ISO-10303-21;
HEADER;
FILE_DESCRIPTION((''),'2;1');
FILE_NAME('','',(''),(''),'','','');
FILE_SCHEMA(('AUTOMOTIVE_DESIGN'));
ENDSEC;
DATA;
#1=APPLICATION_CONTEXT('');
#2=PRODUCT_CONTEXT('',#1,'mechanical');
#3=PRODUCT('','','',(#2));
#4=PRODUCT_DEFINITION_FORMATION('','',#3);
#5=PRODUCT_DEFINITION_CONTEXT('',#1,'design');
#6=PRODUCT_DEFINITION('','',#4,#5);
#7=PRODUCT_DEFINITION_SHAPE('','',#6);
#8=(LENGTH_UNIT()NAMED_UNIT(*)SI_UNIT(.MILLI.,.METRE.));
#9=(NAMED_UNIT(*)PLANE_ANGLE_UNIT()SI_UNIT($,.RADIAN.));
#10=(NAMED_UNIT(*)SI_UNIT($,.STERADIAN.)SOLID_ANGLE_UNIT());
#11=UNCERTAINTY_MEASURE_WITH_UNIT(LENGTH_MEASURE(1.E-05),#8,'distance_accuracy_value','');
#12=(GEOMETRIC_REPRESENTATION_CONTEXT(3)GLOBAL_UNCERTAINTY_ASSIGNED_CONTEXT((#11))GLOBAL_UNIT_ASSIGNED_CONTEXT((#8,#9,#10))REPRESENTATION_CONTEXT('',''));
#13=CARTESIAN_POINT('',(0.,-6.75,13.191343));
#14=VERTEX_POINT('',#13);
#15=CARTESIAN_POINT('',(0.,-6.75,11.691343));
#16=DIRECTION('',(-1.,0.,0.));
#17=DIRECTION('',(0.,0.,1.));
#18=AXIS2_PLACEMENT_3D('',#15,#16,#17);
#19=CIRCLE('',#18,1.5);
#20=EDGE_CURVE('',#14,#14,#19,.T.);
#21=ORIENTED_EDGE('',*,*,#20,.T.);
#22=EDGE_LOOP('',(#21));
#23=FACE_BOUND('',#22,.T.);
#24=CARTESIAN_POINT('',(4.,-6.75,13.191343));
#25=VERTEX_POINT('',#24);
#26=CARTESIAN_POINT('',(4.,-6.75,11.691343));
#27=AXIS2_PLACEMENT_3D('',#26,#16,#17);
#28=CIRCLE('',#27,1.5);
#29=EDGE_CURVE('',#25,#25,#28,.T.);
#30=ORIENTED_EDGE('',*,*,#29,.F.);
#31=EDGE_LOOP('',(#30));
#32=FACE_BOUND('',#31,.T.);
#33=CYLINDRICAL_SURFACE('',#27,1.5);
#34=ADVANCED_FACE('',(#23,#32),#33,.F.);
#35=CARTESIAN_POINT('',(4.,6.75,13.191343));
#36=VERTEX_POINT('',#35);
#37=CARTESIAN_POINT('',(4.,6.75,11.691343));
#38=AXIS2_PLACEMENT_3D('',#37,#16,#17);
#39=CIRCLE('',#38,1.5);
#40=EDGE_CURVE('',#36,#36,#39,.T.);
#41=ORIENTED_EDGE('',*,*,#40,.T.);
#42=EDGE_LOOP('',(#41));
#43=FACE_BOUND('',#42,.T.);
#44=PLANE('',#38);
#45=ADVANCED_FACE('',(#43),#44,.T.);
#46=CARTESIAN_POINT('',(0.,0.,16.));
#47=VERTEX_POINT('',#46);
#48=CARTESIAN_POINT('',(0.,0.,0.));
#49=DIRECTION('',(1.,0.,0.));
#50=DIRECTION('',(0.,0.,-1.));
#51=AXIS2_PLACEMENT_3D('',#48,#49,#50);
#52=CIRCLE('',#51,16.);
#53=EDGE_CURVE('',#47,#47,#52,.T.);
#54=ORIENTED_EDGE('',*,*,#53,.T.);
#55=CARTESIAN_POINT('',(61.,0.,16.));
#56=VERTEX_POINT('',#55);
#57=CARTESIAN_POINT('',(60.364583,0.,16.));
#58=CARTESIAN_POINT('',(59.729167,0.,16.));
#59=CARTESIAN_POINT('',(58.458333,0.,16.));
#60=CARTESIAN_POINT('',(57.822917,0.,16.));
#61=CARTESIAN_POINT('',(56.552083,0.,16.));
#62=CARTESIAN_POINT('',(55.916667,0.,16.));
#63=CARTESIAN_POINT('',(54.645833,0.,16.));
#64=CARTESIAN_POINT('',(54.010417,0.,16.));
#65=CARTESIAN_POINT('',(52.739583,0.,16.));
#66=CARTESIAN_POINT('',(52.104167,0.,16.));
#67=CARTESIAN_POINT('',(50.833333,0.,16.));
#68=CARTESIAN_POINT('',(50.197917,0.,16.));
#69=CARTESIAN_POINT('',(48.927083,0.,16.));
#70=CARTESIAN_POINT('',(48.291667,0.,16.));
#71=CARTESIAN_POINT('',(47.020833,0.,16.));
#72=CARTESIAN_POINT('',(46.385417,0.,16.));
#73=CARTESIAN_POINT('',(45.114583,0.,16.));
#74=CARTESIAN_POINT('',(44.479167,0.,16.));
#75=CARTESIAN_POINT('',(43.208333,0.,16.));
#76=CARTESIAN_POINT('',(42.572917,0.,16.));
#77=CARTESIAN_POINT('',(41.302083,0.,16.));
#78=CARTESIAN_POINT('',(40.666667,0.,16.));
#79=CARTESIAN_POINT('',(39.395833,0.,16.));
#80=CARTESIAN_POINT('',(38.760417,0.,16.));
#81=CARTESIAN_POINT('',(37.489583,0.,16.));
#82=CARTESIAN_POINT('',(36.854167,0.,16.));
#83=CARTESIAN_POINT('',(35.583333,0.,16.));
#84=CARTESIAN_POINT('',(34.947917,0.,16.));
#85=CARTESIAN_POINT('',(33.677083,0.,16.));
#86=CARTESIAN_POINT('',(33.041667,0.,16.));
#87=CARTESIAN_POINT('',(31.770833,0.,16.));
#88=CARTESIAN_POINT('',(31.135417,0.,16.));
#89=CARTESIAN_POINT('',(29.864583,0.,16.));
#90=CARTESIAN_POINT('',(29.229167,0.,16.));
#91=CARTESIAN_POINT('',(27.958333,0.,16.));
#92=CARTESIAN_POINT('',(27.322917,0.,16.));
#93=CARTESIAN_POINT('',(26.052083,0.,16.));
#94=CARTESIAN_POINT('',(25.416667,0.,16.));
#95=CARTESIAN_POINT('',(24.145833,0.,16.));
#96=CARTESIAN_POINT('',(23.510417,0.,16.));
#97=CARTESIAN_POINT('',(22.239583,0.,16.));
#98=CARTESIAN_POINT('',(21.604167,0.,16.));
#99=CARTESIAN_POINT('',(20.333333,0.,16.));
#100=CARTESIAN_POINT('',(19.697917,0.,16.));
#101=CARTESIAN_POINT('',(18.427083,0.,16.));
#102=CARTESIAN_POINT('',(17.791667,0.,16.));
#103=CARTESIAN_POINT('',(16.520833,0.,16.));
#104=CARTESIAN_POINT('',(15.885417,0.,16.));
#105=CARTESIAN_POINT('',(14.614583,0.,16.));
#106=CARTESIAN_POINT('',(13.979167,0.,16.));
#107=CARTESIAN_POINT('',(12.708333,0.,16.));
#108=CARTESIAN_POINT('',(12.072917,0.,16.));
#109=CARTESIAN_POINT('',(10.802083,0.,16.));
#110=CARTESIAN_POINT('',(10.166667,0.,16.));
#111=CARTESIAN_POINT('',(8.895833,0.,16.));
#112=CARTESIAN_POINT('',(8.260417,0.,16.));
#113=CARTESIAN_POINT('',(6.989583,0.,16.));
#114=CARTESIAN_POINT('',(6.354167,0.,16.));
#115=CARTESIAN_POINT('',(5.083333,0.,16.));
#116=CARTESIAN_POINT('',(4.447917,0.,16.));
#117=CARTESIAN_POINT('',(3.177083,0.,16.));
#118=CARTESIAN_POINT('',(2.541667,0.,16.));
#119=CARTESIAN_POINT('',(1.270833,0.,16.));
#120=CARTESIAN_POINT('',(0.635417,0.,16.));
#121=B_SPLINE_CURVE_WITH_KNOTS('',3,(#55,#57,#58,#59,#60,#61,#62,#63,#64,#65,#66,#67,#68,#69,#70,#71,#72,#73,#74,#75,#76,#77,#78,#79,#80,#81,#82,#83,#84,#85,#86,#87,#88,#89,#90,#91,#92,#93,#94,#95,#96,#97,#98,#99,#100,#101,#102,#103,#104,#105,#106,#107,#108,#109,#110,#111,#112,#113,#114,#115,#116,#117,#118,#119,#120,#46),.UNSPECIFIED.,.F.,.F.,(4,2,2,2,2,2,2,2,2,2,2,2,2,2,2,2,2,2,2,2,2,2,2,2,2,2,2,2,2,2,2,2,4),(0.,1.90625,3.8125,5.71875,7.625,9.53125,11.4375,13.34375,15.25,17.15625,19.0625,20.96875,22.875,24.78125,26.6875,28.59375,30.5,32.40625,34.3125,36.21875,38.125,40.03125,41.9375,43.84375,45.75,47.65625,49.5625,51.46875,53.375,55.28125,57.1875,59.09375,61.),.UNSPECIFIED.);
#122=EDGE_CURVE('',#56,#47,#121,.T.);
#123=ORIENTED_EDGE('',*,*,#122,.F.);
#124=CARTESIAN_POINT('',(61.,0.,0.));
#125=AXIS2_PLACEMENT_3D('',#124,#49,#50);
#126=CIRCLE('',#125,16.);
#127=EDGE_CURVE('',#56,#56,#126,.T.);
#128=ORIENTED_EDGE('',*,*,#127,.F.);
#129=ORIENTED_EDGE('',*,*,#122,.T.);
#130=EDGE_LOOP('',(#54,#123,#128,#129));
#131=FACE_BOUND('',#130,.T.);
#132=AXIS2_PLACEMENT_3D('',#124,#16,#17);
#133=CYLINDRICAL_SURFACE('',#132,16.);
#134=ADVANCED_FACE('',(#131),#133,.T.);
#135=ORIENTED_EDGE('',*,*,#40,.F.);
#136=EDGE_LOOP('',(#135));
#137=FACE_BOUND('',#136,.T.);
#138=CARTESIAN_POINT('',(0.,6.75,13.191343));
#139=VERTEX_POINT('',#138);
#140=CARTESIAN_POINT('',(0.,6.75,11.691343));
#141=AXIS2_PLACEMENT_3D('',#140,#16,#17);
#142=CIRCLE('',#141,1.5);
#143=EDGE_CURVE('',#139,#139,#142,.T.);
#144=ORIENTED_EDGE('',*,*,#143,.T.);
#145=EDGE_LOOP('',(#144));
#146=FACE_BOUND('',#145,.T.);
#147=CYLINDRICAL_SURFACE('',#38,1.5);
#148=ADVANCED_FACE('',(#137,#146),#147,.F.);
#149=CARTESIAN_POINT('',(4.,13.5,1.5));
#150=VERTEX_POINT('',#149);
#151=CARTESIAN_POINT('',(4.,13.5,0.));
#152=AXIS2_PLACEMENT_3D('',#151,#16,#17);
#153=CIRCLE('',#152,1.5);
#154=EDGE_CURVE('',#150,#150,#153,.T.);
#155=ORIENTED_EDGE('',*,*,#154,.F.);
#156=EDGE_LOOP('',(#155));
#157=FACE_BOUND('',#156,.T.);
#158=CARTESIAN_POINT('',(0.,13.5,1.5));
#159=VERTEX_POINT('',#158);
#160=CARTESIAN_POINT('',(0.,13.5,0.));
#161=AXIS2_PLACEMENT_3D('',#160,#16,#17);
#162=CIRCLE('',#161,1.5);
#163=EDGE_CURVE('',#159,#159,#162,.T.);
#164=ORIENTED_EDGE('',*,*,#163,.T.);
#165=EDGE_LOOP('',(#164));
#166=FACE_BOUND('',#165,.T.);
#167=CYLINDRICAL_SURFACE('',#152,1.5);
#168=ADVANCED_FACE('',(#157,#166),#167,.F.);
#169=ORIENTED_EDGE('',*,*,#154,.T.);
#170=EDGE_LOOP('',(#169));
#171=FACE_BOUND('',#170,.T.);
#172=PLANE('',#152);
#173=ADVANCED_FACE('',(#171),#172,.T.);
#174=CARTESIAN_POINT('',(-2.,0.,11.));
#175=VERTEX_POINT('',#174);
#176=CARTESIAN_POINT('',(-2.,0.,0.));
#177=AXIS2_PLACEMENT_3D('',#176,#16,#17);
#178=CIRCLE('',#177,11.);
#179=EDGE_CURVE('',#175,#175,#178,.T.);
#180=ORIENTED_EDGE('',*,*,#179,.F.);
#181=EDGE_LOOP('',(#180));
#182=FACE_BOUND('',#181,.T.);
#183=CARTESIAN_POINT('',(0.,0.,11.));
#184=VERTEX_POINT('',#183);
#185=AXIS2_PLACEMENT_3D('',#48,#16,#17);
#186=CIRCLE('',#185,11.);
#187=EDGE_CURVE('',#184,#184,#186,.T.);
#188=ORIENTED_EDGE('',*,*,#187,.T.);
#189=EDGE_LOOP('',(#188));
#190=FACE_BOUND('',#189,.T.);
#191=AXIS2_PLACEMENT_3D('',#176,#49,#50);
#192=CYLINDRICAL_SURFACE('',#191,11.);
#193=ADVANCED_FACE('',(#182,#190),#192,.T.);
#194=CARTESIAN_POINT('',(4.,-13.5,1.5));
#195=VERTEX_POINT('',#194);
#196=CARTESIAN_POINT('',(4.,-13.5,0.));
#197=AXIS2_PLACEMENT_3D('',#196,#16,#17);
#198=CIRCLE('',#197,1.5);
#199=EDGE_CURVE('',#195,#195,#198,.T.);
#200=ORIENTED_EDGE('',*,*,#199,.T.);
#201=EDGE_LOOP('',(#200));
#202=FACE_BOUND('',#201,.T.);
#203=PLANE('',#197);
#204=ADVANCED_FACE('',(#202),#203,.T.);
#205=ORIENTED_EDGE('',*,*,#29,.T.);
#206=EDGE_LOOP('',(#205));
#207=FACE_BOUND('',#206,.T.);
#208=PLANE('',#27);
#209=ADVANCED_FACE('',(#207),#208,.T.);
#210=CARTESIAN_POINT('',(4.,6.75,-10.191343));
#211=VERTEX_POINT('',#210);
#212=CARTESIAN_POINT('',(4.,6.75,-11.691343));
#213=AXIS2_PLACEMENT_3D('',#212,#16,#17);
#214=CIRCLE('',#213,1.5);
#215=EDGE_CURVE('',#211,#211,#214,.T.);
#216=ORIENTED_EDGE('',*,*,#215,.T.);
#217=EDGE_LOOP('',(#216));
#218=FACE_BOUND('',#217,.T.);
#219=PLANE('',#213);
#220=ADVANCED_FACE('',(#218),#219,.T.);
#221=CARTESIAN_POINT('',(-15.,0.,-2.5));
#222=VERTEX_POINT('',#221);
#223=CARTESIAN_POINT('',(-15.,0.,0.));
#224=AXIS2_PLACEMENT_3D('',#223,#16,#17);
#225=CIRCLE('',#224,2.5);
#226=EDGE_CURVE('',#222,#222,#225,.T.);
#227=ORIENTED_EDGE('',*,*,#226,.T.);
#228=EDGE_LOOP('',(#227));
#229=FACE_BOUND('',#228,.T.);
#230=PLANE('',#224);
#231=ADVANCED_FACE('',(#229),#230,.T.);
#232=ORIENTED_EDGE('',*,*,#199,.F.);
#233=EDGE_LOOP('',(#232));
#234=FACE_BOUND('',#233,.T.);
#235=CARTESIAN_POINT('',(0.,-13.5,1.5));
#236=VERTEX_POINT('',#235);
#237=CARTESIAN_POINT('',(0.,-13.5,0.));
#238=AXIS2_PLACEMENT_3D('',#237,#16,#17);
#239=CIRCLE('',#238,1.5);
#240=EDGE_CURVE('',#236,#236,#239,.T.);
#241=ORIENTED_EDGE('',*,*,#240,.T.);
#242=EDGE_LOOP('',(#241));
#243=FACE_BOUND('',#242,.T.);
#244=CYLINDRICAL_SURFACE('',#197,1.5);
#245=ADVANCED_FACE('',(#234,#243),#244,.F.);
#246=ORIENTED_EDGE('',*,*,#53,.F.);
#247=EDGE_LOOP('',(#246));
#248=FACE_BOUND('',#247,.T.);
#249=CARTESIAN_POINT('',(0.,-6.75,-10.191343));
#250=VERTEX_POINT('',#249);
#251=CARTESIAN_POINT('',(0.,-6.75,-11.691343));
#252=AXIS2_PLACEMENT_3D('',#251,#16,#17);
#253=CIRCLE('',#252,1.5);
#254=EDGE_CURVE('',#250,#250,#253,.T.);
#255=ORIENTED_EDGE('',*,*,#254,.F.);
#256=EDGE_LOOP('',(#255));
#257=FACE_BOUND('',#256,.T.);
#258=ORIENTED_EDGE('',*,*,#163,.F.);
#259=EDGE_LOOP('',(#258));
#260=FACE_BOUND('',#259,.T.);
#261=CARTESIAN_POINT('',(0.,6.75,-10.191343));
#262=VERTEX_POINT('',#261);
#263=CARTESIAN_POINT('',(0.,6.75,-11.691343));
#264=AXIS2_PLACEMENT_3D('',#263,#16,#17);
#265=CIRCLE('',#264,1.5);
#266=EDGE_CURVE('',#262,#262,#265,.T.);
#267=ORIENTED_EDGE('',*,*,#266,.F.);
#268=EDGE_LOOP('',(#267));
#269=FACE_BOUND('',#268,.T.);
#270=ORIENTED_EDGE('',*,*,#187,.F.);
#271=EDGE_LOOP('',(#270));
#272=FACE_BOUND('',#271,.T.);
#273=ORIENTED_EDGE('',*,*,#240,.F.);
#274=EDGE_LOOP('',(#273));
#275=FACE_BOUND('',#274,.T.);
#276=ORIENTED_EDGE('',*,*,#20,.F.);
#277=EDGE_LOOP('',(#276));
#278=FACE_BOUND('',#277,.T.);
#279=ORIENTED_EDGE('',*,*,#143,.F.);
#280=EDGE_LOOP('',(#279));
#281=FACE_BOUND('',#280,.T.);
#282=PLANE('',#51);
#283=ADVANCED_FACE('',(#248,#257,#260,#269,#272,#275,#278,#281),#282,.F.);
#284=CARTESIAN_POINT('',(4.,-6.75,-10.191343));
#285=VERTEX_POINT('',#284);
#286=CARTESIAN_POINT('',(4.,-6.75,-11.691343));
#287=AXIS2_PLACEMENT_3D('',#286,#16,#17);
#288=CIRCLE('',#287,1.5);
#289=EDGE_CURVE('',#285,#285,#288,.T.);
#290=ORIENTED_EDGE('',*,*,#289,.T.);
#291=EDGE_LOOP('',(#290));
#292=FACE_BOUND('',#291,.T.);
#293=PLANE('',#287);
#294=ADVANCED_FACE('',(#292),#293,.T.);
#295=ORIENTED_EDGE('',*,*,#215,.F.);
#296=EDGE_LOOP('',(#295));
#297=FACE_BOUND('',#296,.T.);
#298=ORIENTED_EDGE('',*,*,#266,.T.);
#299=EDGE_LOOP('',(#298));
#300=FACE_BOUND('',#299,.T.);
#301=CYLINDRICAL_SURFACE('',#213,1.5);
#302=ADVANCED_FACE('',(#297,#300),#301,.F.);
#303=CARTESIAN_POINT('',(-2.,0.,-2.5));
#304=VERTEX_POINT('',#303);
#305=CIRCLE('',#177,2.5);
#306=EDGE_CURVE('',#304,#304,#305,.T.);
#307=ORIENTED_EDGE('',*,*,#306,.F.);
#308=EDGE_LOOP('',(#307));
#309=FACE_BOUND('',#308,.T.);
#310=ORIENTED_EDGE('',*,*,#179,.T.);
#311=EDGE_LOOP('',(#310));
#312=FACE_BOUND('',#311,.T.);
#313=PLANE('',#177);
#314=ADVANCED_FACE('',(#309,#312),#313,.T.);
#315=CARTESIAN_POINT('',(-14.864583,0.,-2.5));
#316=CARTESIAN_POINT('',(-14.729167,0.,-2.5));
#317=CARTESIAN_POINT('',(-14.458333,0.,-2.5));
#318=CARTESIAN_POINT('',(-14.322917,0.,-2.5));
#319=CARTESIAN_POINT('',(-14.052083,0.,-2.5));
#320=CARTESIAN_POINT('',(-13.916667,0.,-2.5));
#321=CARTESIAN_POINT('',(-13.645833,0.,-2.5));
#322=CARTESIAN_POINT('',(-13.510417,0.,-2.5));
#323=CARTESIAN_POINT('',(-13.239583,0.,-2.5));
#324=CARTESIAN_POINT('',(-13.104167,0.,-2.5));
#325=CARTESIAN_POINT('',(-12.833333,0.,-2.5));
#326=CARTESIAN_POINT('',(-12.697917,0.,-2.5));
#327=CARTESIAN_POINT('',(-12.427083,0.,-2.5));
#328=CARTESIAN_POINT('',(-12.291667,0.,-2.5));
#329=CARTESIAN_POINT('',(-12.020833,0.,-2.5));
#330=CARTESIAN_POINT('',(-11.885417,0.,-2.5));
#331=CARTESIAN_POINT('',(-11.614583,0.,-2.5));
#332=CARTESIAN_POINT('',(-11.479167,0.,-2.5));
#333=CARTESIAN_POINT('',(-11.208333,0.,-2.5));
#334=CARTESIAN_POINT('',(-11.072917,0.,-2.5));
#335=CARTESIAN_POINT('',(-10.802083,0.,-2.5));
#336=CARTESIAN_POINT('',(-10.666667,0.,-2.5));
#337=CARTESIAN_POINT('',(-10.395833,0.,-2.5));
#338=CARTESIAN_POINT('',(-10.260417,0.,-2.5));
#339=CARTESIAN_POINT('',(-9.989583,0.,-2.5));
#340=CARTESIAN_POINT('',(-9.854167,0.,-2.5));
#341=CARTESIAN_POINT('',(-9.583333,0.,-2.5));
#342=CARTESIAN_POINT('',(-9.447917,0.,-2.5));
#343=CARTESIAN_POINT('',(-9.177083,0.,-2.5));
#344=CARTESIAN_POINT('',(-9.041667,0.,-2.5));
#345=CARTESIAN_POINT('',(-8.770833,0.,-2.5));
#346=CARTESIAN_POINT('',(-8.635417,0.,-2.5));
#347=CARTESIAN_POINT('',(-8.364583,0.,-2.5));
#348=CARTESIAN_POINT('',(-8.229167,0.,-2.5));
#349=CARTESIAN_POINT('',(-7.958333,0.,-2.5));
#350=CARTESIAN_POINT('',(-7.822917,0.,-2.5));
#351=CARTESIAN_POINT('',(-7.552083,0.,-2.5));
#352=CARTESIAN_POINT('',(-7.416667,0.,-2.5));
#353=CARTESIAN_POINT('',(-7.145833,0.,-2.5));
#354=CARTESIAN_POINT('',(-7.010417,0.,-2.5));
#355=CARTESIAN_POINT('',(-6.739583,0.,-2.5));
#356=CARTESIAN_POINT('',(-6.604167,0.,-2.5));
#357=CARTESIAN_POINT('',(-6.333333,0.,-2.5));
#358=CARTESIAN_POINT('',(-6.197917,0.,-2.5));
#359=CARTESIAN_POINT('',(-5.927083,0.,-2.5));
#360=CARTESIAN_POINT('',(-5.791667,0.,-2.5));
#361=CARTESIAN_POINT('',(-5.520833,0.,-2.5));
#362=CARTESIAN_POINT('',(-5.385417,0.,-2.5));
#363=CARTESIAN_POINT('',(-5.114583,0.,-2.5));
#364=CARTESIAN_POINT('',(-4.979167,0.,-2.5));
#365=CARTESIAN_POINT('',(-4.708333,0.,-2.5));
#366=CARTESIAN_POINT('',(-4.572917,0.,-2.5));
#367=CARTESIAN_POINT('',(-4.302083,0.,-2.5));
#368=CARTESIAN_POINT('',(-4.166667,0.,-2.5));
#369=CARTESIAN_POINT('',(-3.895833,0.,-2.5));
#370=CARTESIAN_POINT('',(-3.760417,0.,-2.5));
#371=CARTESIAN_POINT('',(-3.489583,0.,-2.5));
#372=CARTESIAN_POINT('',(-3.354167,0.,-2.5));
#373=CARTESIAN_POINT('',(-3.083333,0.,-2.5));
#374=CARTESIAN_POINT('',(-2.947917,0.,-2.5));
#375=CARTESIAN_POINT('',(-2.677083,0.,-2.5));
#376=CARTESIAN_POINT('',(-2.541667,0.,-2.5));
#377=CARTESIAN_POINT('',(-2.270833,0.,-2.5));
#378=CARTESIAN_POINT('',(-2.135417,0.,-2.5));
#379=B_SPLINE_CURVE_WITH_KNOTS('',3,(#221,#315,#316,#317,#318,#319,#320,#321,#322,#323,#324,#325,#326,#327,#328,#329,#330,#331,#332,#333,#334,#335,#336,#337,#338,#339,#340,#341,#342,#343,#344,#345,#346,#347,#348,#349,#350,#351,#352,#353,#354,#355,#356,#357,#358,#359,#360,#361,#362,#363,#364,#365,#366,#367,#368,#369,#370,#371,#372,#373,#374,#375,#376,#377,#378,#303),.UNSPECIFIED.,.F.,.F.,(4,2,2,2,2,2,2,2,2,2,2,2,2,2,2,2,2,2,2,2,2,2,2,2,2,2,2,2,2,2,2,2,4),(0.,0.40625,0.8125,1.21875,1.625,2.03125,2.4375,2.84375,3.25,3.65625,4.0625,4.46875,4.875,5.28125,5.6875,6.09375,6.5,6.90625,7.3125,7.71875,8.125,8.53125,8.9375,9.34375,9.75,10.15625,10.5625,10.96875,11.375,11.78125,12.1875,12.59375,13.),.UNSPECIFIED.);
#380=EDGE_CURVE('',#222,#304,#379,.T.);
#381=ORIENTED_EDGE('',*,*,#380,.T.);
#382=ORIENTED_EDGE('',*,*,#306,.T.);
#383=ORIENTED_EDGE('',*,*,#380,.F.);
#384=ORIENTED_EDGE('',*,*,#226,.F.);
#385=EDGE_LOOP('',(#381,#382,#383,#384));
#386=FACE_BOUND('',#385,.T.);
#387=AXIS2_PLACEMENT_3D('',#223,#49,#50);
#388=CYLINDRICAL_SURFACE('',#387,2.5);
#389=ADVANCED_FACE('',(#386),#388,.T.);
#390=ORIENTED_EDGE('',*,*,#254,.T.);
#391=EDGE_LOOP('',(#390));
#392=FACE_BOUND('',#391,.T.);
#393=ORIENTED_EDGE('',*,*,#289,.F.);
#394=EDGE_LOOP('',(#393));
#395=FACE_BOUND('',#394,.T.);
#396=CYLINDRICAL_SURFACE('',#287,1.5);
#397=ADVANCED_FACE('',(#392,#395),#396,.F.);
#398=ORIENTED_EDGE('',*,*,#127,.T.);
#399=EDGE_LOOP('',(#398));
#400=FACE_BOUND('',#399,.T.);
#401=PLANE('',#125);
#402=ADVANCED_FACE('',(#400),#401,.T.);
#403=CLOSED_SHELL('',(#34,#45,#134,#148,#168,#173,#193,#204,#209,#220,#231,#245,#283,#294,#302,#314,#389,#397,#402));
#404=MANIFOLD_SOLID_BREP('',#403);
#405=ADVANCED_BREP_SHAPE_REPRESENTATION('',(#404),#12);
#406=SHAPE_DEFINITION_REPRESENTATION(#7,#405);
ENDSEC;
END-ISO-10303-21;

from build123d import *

# Parameters (mm, degrees)
SKETCH1_R           = 16
BOSS_EXTRUDE1_DEPTH = 61
SKETCH2_R           = 11
BOSS_EXTRUDE2_DEPTH = 2
SKETCH3_R           = 1.5
CUT_EXTRUDE1_DEPTH  = 4
SKETCH4_R           = 2.5
BOSS_EXTRUDE3_DEPTH = 13


with BuildPart() as part:
    # Sketch1 → Boss-Extrude1 (new body)
    with BuildSketch(Plane(origin=(0, 0, 0), x_dir=(0, 0, -1), z_dir=(1, 0, 0))):
        with Locations(Location((0, 0, 0), (0, 0, 180))):
            Circle(SKETCH1_R)
    extrude(amount=BOSS_EXTRUDE1_DEPTH)

    # Sketch2 → Boss-Extrude2 (add)
    with BuildSketch(Plane.ZY):
        Circle(SKETCH2_R)
    extrude(amount=BOSS_EXTRUDE2_DEPTH)

    # Sketch3 → Cut-Extrude1 (cut)
    with BuildSketch(Plane.ZY):
        with Locations((0, 13.5)):
            Circle(SKETCH3_R)
        with Locations((11.691342951, 6.75)):
            Circle(SKETCH3_R)
        with Locations((11.691342951, -6.75)):
            Circle(SKETCH3_R)
        with Locations((0, -13.5)):
            Circle(SKETCH3_R)
        with Locations((-11.691342951, -6.75)):
            Circle(SKETCH3_R)
        with Locations((-11.691342951, 6.75)):
            Circle(SKETCH3_R)
    extrude(amount=-CUT_EXTRUDE1_DEPTH, mode=Mode.SUBTRACT)

    # Sketch4 → Boss-Extrude3 (add)
    with BuildSketch(Plane.ZY.offset(2)):
        with Locations(Location((0, 0, 0), (0, 0, 180))):
            Circle(SKETCH4_R)
    extrude(amount=BOSS_EXTRUDE3_DEPTH)


solid = part.part
